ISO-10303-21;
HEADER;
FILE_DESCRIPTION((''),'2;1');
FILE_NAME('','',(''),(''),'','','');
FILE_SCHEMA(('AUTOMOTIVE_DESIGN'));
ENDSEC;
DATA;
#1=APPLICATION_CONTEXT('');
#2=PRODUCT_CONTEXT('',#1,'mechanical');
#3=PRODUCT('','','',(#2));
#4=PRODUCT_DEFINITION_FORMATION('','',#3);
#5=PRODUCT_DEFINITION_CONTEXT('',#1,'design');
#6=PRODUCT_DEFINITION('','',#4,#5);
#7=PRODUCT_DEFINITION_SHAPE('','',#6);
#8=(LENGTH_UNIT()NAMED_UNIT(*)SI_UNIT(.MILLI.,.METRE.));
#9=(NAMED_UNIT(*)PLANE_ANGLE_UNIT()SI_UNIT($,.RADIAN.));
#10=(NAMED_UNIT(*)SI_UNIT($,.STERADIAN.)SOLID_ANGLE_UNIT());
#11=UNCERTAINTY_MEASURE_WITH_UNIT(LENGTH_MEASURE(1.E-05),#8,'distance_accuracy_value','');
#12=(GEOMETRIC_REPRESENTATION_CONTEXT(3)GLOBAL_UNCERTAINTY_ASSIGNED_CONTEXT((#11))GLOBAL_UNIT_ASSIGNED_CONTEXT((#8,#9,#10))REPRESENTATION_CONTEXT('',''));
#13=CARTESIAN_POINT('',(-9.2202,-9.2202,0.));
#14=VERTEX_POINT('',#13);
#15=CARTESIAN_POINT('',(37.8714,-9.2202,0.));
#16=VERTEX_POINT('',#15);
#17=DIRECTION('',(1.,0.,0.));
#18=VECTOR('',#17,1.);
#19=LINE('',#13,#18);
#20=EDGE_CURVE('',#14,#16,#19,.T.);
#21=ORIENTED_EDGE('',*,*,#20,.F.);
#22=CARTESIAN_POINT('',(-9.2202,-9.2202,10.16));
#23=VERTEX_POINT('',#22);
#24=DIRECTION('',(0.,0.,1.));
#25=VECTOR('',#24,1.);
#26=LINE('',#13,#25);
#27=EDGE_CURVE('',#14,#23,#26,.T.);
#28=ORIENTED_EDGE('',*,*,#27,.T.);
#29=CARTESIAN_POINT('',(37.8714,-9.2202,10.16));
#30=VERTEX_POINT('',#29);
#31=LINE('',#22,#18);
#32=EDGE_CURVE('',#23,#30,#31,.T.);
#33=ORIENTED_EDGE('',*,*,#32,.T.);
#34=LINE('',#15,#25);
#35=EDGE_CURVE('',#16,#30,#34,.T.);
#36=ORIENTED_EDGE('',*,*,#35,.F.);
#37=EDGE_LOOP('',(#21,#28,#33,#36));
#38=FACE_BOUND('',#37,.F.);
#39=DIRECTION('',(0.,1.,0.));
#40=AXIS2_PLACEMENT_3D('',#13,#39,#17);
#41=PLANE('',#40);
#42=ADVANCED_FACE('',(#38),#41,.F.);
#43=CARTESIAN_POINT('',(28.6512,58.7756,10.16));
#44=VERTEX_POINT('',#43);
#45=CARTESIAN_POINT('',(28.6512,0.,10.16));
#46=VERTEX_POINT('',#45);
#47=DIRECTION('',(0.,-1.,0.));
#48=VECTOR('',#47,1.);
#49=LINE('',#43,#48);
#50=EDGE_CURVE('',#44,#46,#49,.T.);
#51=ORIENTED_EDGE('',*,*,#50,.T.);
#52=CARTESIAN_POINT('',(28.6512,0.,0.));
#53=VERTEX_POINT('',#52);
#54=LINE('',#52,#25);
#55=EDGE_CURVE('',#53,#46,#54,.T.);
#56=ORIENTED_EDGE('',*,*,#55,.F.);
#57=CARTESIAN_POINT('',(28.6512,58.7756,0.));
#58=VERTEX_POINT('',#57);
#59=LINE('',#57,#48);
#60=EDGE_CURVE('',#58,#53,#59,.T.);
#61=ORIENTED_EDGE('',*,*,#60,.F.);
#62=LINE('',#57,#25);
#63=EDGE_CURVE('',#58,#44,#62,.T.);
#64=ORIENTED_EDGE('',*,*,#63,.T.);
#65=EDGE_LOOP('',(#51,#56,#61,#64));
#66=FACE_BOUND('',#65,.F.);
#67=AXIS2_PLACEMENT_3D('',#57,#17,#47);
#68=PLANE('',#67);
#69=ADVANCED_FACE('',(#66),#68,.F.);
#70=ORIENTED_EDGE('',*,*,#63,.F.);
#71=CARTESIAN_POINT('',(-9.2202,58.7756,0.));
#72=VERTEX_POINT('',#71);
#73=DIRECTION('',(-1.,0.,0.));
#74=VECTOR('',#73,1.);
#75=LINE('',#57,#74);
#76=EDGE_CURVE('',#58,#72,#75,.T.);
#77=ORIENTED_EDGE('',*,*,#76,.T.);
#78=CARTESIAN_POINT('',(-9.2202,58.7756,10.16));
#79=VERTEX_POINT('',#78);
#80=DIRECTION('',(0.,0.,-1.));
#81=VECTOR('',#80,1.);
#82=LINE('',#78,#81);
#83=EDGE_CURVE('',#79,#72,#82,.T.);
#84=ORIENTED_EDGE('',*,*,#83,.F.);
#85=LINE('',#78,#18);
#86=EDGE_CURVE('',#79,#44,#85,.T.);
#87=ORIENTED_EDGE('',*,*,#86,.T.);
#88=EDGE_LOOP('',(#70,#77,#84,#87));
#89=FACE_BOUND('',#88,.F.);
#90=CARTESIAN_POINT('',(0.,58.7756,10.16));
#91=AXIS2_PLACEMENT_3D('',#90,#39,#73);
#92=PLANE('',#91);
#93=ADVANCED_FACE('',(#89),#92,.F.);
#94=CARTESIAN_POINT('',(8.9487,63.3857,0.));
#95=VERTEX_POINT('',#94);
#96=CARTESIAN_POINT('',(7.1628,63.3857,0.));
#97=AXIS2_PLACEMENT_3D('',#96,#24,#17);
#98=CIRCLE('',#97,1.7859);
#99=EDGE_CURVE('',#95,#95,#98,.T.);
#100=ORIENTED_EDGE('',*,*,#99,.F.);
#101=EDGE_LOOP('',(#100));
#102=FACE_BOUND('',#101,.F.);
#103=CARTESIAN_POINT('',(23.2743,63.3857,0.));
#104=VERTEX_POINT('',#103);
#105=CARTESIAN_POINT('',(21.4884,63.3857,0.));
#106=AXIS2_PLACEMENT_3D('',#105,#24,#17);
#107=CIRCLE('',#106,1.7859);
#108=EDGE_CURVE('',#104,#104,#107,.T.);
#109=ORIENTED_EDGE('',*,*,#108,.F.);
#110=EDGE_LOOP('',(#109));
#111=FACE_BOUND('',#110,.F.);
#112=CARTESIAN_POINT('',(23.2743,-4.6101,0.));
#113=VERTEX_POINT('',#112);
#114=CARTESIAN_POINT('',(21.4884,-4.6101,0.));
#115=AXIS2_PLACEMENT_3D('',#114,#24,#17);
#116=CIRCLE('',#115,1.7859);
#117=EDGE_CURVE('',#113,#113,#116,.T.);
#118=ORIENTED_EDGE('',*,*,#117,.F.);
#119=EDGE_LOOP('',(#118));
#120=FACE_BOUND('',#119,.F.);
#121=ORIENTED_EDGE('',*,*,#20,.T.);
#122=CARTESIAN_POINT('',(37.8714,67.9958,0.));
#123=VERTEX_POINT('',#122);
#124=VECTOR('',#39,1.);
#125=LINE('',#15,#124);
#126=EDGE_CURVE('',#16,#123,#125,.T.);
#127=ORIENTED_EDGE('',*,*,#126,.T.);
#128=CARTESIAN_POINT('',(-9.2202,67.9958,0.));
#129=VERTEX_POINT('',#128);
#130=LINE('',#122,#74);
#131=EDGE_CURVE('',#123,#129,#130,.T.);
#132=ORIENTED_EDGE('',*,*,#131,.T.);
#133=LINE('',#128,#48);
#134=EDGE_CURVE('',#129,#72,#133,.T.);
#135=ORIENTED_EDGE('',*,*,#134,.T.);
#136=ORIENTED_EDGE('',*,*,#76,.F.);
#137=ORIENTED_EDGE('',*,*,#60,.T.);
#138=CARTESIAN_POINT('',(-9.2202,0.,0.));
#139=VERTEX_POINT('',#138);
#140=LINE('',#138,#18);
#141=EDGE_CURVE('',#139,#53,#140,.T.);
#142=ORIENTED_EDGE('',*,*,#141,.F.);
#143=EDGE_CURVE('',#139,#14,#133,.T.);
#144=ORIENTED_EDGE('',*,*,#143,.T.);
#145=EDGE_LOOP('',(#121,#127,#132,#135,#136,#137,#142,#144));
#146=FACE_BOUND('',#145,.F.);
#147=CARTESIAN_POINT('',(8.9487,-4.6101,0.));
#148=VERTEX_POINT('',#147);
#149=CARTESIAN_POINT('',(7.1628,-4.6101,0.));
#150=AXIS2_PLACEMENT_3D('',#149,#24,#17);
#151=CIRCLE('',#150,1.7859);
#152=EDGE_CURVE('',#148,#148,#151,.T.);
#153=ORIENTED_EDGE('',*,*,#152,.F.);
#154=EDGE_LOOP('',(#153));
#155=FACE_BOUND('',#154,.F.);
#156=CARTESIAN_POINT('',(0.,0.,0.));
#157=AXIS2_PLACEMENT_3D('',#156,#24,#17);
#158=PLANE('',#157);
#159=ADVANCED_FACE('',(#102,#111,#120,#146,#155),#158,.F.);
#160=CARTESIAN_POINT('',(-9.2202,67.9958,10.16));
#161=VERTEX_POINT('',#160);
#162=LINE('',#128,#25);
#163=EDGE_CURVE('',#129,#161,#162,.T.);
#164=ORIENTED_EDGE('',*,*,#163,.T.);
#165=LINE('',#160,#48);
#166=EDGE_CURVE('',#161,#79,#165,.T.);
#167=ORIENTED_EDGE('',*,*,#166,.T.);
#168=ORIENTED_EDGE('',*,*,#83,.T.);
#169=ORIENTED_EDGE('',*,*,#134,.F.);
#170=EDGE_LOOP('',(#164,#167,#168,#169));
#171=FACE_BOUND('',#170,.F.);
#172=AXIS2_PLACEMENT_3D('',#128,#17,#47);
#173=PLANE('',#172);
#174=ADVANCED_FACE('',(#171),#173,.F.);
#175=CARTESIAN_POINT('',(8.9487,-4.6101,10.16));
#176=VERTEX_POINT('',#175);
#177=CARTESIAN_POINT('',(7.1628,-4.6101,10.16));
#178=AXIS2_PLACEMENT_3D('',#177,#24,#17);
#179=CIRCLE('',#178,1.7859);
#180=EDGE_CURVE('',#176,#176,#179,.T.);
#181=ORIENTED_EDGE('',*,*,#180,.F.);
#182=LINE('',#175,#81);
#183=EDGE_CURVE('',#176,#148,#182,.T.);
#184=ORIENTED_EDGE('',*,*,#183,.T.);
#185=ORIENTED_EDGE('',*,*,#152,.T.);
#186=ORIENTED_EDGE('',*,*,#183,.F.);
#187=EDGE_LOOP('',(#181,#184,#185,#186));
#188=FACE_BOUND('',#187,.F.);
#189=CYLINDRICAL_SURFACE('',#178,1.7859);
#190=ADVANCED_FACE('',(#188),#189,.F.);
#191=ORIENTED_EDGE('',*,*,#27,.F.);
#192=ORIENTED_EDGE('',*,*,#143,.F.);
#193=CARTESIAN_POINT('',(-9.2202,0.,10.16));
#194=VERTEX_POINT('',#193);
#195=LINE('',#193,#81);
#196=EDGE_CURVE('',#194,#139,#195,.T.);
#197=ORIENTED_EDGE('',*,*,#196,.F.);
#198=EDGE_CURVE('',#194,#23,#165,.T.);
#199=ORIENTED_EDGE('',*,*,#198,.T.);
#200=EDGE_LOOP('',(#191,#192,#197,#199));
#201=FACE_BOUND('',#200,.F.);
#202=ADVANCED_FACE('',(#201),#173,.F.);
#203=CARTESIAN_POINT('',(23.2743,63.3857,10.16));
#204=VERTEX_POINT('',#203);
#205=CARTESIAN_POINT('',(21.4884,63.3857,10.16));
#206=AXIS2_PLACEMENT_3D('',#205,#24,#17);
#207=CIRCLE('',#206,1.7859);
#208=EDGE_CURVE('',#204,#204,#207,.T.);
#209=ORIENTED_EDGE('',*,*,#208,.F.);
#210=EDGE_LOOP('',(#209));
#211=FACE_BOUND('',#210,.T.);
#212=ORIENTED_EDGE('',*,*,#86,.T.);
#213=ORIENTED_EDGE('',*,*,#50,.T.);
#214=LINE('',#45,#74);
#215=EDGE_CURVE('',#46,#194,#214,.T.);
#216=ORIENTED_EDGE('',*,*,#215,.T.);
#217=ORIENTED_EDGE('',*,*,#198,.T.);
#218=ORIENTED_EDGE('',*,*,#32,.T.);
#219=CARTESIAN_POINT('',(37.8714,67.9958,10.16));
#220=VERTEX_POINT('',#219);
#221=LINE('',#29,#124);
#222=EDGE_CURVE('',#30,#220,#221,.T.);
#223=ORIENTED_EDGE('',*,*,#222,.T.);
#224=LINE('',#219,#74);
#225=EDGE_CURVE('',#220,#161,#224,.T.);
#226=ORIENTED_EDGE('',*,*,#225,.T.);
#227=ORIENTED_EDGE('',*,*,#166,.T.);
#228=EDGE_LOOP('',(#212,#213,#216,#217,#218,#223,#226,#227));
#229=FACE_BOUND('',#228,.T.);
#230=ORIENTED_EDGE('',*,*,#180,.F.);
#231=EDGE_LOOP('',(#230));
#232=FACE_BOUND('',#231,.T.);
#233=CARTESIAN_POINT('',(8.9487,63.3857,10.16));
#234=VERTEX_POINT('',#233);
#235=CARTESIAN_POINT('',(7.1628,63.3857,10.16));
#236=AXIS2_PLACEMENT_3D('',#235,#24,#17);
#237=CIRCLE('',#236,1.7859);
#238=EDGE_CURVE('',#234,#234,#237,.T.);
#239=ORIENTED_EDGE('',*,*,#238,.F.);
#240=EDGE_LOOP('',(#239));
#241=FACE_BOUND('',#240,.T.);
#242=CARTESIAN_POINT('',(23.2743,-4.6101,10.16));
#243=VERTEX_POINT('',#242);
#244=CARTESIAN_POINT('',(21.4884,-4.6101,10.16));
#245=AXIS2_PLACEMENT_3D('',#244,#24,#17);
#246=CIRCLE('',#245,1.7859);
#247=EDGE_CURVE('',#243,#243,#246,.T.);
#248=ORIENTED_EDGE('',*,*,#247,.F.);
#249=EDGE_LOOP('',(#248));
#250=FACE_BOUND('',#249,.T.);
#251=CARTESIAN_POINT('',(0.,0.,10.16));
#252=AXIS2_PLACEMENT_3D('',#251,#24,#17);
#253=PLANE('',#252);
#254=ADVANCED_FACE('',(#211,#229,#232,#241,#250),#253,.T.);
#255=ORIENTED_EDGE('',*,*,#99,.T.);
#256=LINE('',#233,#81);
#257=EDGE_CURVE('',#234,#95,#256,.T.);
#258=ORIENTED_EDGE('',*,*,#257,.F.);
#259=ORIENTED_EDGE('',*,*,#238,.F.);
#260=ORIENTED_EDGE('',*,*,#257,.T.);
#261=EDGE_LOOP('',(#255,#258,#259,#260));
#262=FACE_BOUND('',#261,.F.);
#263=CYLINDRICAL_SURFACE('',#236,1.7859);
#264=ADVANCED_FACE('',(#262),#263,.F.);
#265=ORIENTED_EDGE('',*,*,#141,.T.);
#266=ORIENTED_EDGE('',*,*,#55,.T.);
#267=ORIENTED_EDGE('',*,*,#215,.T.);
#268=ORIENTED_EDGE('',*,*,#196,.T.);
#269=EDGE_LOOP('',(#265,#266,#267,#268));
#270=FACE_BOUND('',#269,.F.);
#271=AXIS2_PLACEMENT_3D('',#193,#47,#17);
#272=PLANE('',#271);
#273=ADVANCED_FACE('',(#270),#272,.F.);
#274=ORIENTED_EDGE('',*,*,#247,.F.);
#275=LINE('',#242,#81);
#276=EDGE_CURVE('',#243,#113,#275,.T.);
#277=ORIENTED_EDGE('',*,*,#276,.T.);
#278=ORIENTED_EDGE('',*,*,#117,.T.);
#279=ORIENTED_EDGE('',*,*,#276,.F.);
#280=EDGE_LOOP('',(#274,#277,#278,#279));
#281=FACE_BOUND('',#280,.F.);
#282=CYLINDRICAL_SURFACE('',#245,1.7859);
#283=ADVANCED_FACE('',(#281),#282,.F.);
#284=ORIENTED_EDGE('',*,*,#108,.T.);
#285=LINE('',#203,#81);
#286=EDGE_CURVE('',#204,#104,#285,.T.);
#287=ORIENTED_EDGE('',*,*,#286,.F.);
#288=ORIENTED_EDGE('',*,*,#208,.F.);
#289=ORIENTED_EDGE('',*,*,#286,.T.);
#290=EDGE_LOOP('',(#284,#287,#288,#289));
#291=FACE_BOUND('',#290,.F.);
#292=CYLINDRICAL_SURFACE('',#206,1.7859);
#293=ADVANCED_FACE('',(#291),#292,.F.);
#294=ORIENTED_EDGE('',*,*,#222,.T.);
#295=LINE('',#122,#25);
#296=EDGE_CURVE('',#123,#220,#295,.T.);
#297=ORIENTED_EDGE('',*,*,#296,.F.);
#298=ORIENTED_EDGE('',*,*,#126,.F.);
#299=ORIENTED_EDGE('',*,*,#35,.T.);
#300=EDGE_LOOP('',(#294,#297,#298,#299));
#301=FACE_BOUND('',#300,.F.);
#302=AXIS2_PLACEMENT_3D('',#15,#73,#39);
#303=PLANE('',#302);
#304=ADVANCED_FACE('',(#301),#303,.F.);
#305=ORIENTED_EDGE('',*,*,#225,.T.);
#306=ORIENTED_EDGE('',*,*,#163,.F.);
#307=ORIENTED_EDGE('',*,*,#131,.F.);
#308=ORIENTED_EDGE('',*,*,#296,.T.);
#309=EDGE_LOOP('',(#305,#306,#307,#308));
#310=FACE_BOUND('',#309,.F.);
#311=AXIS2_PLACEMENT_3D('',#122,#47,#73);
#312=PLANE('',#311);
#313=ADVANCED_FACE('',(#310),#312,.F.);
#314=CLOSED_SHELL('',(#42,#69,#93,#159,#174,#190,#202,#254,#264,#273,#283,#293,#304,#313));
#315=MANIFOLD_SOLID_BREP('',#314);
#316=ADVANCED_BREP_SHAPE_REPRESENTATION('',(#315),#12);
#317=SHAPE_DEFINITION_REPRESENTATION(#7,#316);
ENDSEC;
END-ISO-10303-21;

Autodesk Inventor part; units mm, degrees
ref_plane "YZ Plane" through (0, 0, 0) normal (1, 0, 0) x (0, 1, 0)
ref_plane "XZ Plane" through (0, 0, 0) normal (0, 1, 0) x (-1, 0, 0)
ref_plane "XY Plane" through (0, 0, 0) normal (0, 0, 1) x (1, 0, 0)
sketch "Sketch1" plane through (0, 0, 0) normal (0, 0, 1) x (1, 0, 0)
  line L0 (0, 0) -> (0, 58.7756)
  line L1 (0, 58.7756) -> (28.6512, 58.7756)
  line L2 (28.6512, 58.7756) -> (28.6512, 0)
  line L3 (28.6512, 0) -> (0, 0)
  line L4 (-9.2202, 67.9958) -> (-9.2202, -9.2202)
  line L5 (-9.2202, -9.2202) -> (37.8714, -9.2202)
  line L6 (37.8714, -9.2202) -> (37.8714, 67.9958)
  line L7 (37.8714, 67.9958) -> (-9.2202, 67.9958)
  dimension "d0" = 28.6512
  dimension "d1" = 58.7756
  dimension "d2" = 9.2202
extrude "Extrusion1" add sketch "Sketch1" along normal blind 10.16
sketch "Sketch2" plane through (0, 0, 10.16) normal (0, 0, 1) x (1, 0, 0)
  line L0 (0, 58.7756) -> (28.6512, 58.7756) projected
  line L1 (28.6512, 58.7756) -> (28.6512, 0) projected
  line L2 (28.6512, 0) -> (0, 0) projected
  line L3 (0, 0) -> (0, 58.7756) projected
  line L4 (-9.2202, 67.9958) -> (-9.2202, -9.2202) projected
  line L5 (-9.2202, -9.2202) -> (37.8714, -9.2202) projected
  line L6 (37.8714, -9.2202) -> (37.8714, 67.9958) projected
  line L7 (37.8714, 67.9958) -> (-9.2202, 67.9958) projected
  line L8 (14.3256, 67.9958) -> (14.3256, 58.7756) construction
  line L9 (0, 58.7756) -> (28.6512, 58.7756) construction
  line L10 (14.3256, 63.3857) -> (28.6512, 63.3857) construction
  line L11 (14.3256, 63.3857) -> (0, 63.3857) construction
  circle A0 centre (7.1628, 63.3857) radius 1.7859
  circle A1 centre (21.4884, 63.3857) radius 1.7859
  line L12 (14.3256, 0) -> (14.3256, -9.2202) construction
  line L13 (-9.2202, -9.2202) -> (37.8714, -9.2202) construction
  line L14 (14.3256, -4.6101) -> (0, -4.6101) construction
  line L15 (14.3256, -4.6101) -> (28.6512, -4.6101) construction
  circle A2 centre (7.1628, -4.6101) radius 1.7859
  circle A3 centre (21.4884, -4.6101) radius 1.7859
  dimension "d5" = 3.5719
  dimension "d6" = 3.5719
  dimension "d7" = 3.5719
  dimension "d8" = 3.5719
extrude "Extrusion2" cut sketch "Sketch2" against normal through all contours A0 | A1 | A2 | A3
sketch "Sketch3" plane through (0, 0, 10.16) normal (0, 0, 1) x (1, 0, 0)
  circle A0 centre (7.1628, -4.6101) radius 1.7859 projected
  circle A1 centre (7.1628, 63.3857) radius 1.7859 projected
  circle A2 centre (21.4884, 63.3857) radius 1.7859 projected
  circle A3 centre (21.4884, -4.6101) radius 1.7859 projected
  line L0 (0, 58.7756) -> (28.6512, 58.7756) projected
  line L1 (28.6512, 58.7756) -> (28.6512, 0) projected
  line L2 (28.6512, 0) -> (0, 0) projected
  line L3 (0, 0) -> (0, 58.7756) projected
  line L4 (-9.2202, 67.9958) -> (-9.2202, -9.2202) projected
  line L5 (-9.2202, -9.2202) -> (37.8714, -9.2202) projected
  line L6 (37.8714, -9.2202) -> (37.8714, 67.9958) projected
  line L7 (37.8714, 67.9958) -> (-9.2202, 67.9958) projected
  line L8 (-9.2202, 67.9958) -> (-9.2202, -9.2202) projected
  line L9 (0, 58.7756) -> (-9.2202, 58.7756)
  line L10 (-9.2202, 58.7756) -> (-9.2202, 0)
  line L11 (-9.2202, 0) -> (0, 0)
  line L12 (0, 0) -> (0, 58.7756)
extrude "Extrusion3" cut sketch "Sketch3" against normal through all contours L3 L11 L4 L9
properties part number "New Flipper"
